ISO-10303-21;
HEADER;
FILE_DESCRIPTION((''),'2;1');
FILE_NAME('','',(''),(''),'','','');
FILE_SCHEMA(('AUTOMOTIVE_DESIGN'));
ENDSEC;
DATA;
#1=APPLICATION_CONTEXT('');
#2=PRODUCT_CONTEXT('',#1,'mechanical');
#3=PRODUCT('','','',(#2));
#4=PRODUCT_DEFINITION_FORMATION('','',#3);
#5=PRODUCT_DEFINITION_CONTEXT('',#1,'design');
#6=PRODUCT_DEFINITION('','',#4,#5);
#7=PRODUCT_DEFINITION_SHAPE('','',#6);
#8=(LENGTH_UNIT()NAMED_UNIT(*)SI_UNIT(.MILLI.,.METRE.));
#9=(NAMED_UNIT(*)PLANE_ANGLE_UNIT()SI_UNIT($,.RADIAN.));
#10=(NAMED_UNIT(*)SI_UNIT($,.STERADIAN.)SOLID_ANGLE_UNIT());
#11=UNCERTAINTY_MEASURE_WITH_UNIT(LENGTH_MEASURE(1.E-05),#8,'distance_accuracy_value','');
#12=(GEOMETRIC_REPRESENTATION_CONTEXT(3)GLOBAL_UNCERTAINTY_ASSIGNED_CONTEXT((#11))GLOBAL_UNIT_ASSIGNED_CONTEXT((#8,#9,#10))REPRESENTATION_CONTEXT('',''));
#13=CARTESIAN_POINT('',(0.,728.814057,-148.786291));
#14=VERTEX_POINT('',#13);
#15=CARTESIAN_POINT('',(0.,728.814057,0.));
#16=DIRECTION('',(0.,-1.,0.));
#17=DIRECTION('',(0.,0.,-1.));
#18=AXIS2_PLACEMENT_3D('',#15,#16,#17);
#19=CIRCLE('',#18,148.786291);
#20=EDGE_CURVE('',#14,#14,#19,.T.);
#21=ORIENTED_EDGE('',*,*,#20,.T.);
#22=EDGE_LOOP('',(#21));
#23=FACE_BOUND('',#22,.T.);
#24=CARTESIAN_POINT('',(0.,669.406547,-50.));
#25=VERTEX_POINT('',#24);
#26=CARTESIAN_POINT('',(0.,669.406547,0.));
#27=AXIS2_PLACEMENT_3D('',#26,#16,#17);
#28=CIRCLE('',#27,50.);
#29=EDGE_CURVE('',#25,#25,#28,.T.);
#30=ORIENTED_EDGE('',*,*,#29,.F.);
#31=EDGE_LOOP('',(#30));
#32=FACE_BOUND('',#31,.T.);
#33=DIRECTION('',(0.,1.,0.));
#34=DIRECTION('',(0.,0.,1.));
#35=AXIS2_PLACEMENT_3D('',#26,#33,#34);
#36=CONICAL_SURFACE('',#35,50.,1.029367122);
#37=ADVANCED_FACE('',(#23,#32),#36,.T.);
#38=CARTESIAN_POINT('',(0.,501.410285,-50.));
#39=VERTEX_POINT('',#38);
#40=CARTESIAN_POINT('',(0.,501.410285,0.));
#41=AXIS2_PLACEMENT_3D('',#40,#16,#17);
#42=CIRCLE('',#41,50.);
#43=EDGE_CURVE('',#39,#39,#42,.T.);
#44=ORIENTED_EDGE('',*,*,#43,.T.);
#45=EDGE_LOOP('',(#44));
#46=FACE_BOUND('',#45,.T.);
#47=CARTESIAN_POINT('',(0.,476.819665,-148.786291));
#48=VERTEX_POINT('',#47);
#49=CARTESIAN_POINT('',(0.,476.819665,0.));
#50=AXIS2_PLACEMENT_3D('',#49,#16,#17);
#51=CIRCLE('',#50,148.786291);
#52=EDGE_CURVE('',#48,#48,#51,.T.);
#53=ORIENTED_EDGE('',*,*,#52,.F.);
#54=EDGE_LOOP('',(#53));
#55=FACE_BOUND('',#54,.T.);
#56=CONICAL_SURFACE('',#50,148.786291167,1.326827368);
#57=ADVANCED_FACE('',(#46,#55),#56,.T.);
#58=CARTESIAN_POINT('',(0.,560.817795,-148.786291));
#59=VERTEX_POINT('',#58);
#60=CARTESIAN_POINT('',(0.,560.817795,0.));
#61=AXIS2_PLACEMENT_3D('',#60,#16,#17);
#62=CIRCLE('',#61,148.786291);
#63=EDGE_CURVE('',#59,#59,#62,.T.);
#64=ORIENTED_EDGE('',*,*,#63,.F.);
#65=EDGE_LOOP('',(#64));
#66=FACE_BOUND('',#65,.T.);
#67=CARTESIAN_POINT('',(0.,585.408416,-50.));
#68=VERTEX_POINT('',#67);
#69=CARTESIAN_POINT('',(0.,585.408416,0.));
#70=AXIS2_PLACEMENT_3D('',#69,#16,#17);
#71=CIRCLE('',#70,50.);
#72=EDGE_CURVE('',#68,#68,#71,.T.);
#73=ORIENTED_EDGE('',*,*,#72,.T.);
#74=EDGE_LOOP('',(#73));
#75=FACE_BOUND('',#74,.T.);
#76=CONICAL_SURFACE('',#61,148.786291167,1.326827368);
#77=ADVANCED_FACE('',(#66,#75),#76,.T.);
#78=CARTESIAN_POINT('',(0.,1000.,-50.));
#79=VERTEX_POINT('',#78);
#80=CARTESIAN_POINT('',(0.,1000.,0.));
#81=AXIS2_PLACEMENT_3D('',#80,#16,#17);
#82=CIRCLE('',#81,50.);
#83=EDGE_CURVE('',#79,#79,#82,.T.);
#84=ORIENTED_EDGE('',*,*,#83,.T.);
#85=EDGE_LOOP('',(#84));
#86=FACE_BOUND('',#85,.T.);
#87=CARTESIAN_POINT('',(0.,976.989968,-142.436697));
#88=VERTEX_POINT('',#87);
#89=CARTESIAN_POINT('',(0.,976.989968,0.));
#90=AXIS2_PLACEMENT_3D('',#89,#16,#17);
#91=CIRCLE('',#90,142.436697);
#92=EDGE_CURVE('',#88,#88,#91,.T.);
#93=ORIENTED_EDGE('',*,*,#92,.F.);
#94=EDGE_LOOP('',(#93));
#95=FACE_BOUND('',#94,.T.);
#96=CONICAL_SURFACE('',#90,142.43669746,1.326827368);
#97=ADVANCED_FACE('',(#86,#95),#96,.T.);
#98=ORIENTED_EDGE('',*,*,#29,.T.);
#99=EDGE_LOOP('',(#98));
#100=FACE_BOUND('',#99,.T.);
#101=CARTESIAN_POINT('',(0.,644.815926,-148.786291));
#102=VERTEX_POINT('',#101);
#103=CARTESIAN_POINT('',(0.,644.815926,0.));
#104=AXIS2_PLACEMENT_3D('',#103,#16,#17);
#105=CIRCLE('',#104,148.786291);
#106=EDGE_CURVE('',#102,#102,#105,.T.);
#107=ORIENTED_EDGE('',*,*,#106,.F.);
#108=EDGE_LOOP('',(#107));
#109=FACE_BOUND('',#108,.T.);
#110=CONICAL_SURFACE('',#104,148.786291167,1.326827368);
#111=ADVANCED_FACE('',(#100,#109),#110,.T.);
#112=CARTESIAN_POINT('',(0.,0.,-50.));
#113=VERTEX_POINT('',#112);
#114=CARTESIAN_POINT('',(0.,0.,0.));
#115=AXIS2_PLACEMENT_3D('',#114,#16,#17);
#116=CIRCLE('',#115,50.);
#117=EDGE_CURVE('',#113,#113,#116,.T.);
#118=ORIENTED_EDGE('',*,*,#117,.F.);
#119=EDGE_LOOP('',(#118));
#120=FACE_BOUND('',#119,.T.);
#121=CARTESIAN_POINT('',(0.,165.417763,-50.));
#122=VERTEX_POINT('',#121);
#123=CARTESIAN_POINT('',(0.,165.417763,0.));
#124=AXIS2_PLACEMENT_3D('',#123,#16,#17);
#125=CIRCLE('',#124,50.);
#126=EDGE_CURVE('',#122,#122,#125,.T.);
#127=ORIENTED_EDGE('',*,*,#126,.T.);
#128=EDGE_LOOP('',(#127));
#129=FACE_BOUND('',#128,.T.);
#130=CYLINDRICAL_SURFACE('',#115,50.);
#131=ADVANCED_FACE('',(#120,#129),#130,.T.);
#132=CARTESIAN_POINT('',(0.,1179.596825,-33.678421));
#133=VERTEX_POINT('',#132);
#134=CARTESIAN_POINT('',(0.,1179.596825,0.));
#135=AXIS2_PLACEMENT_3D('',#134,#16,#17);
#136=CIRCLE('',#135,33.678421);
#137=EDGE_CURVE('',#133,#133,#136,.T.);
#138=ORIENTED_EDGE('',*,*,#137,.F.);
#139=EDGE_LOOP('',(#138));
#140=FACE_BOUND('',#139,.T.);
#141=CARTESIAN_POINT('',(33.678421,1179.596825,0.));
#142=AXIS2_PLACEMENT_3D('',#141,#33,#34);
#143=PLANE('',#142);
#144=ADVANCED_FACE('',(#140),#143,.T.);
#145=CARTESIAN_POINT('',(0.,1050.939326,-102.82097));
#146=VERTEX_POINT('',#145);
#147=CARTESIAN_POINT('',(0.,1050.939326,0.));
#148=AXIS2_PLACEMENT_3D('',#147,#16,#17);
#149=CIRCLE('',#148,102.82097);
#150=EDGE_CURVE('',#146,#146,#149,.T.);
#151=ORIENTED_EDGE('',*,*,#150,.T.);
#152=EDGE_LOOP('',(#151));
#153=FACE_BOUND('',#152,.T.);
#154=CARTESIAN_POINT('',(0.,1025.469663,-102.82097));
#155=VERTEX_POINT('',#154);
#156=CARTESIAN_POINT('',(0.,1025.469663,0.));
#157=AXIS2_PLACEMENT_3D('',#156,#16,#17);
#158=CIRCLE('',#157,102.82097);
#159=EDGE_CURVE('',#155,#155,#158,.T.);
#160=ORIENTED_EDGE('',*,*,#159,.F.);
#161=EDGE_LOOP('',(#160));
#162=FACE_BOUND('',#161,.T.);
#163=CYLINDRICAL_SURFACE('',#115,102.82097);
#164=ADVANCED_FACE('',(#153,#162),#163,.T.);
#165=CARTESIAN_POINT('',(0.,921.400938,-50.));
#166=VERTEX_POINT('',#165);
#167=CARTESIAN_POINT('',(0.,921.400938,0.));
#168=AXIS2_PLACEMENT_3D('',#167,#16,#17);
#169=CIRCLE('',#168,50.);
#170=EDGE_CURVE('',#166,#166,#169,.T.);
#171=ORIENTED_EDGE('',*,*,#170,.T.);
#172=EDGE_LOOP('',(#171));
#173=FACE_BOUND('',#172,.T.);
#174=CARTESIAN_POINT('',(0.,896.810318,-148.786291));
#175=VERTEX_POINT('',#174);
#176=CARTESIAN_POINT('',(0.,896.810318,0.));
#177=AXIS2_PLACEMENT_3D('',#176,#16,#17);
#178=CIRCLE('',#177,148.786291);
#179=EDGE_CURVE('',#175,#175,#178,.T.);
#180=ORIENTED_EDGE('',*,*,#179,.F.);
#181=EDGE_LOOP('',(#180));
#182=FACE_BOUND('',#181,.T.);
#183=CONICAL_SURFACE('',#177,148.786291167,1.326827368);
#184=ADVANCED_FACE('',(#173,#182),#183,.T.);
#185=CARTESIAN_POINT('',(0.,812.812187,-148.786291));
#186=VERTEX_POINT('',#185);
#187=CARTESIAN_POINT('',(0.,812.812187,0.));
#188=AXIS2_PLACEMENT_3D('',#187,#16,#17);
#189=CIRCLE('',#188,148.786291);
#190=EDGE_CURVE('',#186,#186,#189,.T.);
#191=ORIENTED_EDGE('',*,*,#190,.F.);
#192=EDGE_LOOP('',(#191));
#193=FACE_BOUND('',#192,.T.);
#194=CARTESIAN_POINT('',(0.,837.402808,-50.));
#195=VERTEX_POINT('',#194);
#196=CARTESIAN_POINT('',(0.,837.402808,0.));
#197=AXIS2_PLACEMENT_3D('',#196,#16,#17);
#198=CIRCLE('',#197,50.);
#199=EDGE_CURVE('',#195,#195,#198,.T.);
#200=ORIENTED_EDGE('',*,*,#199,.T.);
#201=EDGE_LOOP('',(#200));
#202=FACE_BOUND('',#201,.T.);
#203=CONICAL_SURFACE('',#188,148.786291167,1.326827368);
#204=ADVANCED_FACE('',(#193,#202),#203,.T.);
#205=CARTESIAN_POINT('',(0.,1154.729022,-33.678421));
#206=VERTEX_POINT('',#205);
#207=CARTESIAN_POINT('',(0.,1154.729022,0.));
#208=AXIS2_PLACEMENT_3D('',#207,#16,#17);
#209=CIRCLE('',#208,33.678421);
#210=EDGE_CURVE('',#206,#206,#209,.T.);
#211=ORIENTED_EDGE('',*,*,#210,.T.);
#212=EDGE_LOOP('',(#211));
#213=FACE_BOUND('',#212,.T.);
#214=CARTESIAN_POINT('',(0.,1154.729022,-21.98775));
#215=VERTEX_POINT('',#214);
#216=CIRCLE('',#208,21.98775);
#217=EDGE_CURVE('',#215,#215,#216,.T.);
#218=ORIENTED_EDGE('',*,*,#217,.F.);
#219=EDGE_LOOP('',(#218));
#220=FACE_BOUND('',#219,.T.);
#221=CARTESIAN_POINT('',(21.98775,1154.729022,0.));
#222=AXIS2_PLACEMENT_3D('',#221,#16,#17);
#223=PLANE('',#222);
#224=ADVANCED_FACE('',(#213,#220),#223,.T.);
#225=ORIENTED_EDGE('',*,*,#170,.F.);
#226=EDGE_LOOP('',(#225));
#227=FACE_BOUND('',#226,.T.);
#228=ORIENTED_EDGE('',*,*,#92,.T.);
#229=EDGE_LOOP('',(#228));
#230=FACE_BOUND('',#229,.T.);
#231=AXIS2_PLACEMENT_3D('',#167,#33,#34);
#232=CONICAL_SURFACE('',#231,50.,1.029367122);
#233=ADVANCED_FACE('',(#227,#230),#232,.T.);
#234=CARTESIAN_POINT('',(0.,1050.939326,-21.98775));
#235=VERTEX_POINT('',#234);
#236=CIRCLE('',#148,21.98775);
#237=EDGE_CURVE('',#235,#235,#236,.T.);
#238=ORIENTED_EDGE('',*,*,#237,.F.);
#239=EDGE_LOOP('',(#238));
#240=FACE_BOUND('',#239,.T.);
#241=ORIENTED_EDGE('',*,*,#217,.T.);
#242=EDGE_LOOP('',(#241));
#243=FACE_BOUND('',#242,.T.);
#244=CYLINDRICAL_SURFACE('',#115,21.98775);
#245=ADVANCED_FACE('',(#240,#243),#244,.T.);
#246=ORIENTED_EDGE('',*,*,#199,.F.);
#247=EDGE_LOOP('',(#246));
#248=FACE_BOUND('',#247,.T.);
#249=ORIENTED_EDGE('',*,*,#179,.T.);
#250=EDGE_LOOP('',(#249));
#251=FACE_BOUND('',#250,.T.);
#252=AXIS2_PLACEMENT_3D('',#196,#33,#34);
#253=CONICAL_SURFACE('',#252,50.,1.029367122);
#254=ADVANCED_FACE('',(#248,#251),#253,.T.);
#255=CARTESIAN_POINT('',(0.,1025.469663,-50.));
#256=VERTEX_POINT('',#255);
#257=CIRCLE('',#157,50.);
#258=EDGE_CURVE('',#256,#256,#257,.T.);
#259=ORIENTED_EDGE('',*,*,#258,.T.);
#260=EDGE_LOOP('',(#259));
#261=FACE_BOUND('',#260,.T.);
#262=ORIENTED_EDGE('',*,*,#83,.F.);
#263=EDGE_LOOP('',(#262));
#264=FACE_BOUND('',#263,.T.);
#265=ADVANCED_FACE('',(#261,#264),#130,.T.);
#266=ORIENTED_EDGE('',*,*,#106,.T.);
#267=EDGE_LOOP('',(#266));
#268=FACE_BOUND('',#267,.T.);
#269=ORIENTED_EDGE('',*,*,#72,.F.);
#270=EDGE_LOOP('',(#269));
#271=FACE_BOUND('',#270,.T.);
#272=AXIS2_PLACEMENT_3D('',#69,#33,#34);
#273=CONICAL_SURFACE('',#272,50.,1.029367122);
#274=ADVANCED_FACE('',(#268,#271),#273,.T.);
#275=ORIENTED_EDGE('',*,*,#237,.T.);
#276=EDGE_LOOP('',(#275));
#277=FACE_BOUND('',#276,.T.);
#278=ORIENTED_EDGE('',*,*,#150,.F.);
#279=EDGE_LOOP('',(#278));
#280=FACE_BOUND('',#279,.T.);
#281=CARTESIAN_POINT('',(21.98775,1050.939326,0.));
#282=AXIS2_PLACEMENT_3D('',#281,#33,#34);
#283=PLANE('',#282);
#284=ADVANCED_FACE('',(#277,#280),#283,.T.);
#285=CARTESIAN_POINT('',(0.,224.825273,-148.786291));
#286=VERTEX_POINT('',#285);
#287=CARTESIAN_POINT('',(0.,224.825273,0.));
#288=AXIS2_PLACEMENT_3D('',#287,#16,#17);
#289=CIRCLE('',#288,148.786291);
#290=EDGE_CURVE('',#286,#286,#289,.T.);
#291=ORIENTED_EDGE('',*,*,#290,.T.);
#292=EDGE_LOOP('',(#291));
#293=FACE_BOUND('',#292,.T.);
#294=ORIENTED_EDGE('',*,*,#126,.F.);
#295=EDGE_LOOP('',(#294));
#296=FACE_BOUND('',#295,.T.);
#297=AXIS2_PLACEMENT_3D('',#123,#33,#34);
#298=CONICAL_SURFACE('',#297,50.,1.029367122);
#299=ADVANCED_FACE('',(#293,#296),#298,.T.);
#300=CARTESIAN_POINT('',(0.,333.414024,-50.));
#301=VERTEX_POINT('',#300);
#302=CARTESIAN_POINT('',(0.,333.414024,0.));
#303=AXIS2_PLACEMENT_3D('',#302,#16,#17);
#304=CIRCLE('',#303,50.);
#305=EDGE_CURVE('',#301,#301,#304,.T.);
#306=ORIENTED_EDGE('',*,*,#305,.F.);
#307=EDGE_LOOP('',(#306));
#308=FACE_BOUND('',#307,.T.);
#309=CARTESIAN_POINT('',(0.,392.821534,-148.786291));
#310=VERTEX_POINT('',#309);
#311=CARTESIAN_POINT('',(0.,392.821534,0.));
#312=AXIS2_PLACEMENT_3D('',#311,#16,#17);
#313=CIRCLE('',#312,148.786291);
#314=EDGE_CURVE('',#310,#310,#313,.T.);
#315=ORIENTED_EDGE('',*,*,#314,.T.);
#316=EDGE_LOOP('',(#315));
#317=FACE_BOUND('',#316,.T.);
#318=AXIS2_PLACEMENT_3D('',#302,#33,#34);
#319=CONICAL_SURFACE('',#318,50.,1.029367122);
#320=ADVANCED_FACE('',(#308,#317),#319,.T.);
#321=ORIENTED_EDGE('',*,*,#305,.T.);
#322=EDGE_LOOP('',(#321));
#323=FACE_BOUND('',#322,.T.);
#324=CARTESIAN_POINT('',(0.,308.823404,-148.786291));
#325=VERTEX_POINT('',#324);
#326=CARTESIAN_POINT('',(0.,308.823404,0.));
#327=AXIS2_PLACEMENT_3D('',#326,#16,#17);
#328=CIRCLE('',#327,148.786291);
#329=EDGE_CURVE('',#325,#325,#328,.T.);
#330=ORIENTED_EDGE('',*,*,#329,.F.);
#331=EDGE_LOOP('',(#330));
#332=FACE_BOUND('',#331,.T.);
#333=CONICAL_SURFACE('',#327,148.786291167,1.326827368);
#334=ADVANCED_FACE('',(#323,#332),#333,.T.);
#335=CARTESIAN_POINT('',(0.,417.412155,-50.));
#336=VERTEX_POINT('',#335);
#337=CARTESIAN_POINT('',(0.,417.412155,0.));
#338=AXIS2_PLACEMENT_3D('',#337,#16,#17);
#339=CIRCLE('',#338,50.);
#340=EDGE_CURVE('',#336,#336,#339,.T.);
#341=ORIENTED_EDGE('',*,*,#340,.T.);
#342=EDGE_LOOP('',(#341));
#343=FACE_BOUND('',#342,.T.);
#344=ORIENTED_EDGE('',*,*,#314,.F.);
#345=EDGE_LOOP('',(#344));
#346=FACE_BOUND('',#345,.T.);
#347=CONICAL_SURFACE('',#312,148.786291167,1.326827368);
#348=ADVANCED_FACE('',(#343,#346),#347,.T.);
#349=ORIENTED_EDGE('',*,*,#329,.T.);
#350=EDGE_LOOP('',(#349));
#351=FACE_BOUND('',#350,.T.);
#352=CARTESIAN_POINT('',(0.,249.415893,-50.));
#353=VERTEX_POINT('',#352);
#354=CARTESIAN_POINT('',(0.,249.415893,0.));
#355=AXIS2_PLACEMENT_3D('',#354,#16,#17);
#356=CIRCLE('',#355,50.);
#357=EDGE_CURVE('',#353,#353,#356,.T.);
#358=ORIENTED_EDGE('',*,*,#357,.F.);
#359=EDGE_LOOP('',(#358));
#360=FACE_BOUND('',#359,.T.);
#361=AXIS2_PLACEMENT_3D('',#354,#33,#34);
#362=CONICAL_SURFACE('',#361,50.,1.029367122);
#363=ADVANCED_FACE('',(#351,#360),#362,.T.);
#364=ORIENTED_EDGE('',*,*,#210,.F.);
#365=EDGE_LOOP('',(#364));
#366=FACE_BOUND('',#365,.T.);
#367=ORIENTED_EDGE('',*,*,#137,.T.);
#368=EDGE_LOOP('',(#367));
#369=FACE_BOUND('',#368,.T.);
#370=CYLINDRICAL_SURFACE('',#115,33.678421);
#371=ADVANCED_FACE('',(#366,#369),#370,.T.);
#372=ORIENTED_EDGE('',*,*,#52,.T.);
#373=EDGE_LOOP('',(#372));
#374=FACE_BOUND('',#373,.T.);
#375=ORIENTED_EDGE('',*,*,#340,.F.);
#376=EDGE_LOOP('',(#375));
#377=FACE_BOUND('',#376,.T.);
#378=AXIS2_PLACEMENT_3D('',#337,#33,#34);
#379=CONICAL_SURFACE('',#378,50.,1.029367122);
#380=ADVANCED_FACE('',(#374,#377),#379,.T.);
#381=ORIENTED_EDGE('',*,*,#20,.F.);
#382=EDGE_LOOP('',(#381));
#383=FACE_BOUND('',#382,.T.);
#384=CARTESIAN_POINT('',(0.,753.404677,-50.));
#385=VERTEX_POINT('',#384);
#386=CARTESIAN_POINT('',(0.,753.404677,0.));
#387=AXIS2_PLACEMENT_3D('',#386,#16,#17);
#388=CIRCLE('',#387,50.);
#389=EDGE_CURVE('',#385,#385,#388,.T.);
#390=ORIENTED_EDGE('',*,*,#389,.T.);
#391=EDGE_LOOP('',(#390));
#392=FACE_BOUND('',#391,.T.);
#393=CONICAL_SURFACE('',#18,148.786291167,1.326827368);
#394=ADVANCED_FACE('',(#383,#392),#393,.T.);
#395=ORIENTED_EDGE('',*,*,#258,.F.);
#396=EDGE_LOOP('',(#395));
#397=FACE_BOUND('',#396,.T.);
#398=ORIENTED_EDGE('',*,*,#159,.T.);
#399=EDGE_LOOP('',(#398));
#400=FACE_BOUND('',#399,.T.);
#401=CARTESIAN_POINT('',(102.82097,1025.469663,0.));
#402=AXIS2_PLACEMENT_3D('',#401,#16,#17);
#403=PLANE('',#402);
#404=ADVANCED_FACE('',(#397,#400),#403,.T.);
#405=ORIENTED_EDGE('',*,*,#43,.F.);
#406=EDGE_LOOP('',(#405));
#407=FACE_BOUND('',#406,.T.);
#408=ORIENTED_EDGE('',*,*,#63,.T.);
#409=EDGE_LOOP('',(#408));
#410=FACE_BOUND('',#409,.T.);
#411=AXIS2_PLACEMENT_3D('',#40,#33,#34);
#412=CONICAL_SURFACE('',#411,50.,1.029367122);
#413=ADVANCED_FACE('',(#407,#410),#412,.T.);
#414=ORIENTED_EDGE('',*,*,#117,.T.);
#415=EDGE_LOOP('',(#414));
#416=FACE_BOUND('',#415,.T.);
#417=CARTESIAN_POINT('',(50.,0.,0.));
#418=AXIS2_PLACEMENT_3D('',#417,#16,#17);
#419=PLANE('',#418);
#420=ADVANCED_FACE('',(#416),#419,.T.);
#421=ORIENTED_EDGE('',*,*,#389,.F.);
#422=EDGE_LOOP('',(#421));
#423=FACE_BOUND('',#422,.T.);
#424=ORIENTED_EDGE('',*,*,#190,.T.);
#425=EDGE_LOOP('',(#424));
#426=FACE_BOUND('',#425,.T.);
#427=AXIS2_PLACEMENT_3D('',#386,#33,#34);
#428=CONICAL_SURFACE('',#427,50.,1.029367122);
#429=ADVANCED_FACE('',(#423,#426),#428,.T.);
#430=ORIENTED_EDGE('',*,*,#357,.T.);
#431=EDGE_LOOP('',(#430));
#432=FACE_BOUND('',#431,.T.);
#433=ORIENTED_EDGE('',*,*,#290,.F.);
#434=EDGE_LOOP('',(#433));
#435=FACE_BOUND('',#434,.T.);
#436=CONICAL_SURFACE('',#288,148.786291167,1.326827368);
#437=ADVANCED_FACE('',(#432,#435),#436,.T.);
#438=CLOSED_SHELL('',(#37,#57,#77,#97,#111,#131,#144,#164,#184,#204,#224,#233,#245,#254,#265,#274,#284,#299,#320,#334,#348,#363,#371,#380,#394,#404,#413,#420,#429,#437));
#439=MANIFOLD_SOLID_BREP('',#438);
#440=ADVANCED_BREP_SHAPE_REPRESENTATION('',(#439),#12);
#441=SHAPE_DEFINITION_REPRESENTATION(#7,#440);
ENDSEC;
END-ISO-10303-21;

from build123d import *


with BuildPart() as part:
    # Croquis1 → Revolución1 (revolve)
    with BuildSketch(Plane.XY, mode=Mode.PRIVATE) as revoluci_n1_sk:
        Polygon((0, 0), (0, 1000), (0, 1050.939325751), (0, 1179.596825217), (33.678420865, 1179.596825217), (33.678420865, 1154.729022207), (21.987750201, 1154.729022207), (21.987750201, 1050.939325751), (102.820969977, 1050.939325751), (102.820969977, 1025.469662875), (50, 1025.469662875), (50, 1000), (142.43669746, 976.989967783), (50, 921.400938378), (148.786291167, 896.810317934), (50, 837.402807764), (148.786291167, 812.812187319), (50, 753.404677149), (148.786291167, 728.814056705), (50, 669.406546534), (148.786291167, 644.81592609), (50, 585.40841592), (148.786291167, 560.817795475), (50, 501.410285305), (148.786291167, 476.819664861), (50, 417.41215469), (148.786291167, 392.821534246), (50, 333.414024076), (148.786291167, 308.823403631), (50, 249.415893461), (148.786291167, 224.825273017), (50, 165.417762846), (50, 0), align=None)
    revolve(revoluci_n1_sk.sketch.rotate(Axis((0, 0, 0), (0, 1, 0)), 90), axis=Axis((0, 0, 0), (0, 1, 0)))


solid = part.part
